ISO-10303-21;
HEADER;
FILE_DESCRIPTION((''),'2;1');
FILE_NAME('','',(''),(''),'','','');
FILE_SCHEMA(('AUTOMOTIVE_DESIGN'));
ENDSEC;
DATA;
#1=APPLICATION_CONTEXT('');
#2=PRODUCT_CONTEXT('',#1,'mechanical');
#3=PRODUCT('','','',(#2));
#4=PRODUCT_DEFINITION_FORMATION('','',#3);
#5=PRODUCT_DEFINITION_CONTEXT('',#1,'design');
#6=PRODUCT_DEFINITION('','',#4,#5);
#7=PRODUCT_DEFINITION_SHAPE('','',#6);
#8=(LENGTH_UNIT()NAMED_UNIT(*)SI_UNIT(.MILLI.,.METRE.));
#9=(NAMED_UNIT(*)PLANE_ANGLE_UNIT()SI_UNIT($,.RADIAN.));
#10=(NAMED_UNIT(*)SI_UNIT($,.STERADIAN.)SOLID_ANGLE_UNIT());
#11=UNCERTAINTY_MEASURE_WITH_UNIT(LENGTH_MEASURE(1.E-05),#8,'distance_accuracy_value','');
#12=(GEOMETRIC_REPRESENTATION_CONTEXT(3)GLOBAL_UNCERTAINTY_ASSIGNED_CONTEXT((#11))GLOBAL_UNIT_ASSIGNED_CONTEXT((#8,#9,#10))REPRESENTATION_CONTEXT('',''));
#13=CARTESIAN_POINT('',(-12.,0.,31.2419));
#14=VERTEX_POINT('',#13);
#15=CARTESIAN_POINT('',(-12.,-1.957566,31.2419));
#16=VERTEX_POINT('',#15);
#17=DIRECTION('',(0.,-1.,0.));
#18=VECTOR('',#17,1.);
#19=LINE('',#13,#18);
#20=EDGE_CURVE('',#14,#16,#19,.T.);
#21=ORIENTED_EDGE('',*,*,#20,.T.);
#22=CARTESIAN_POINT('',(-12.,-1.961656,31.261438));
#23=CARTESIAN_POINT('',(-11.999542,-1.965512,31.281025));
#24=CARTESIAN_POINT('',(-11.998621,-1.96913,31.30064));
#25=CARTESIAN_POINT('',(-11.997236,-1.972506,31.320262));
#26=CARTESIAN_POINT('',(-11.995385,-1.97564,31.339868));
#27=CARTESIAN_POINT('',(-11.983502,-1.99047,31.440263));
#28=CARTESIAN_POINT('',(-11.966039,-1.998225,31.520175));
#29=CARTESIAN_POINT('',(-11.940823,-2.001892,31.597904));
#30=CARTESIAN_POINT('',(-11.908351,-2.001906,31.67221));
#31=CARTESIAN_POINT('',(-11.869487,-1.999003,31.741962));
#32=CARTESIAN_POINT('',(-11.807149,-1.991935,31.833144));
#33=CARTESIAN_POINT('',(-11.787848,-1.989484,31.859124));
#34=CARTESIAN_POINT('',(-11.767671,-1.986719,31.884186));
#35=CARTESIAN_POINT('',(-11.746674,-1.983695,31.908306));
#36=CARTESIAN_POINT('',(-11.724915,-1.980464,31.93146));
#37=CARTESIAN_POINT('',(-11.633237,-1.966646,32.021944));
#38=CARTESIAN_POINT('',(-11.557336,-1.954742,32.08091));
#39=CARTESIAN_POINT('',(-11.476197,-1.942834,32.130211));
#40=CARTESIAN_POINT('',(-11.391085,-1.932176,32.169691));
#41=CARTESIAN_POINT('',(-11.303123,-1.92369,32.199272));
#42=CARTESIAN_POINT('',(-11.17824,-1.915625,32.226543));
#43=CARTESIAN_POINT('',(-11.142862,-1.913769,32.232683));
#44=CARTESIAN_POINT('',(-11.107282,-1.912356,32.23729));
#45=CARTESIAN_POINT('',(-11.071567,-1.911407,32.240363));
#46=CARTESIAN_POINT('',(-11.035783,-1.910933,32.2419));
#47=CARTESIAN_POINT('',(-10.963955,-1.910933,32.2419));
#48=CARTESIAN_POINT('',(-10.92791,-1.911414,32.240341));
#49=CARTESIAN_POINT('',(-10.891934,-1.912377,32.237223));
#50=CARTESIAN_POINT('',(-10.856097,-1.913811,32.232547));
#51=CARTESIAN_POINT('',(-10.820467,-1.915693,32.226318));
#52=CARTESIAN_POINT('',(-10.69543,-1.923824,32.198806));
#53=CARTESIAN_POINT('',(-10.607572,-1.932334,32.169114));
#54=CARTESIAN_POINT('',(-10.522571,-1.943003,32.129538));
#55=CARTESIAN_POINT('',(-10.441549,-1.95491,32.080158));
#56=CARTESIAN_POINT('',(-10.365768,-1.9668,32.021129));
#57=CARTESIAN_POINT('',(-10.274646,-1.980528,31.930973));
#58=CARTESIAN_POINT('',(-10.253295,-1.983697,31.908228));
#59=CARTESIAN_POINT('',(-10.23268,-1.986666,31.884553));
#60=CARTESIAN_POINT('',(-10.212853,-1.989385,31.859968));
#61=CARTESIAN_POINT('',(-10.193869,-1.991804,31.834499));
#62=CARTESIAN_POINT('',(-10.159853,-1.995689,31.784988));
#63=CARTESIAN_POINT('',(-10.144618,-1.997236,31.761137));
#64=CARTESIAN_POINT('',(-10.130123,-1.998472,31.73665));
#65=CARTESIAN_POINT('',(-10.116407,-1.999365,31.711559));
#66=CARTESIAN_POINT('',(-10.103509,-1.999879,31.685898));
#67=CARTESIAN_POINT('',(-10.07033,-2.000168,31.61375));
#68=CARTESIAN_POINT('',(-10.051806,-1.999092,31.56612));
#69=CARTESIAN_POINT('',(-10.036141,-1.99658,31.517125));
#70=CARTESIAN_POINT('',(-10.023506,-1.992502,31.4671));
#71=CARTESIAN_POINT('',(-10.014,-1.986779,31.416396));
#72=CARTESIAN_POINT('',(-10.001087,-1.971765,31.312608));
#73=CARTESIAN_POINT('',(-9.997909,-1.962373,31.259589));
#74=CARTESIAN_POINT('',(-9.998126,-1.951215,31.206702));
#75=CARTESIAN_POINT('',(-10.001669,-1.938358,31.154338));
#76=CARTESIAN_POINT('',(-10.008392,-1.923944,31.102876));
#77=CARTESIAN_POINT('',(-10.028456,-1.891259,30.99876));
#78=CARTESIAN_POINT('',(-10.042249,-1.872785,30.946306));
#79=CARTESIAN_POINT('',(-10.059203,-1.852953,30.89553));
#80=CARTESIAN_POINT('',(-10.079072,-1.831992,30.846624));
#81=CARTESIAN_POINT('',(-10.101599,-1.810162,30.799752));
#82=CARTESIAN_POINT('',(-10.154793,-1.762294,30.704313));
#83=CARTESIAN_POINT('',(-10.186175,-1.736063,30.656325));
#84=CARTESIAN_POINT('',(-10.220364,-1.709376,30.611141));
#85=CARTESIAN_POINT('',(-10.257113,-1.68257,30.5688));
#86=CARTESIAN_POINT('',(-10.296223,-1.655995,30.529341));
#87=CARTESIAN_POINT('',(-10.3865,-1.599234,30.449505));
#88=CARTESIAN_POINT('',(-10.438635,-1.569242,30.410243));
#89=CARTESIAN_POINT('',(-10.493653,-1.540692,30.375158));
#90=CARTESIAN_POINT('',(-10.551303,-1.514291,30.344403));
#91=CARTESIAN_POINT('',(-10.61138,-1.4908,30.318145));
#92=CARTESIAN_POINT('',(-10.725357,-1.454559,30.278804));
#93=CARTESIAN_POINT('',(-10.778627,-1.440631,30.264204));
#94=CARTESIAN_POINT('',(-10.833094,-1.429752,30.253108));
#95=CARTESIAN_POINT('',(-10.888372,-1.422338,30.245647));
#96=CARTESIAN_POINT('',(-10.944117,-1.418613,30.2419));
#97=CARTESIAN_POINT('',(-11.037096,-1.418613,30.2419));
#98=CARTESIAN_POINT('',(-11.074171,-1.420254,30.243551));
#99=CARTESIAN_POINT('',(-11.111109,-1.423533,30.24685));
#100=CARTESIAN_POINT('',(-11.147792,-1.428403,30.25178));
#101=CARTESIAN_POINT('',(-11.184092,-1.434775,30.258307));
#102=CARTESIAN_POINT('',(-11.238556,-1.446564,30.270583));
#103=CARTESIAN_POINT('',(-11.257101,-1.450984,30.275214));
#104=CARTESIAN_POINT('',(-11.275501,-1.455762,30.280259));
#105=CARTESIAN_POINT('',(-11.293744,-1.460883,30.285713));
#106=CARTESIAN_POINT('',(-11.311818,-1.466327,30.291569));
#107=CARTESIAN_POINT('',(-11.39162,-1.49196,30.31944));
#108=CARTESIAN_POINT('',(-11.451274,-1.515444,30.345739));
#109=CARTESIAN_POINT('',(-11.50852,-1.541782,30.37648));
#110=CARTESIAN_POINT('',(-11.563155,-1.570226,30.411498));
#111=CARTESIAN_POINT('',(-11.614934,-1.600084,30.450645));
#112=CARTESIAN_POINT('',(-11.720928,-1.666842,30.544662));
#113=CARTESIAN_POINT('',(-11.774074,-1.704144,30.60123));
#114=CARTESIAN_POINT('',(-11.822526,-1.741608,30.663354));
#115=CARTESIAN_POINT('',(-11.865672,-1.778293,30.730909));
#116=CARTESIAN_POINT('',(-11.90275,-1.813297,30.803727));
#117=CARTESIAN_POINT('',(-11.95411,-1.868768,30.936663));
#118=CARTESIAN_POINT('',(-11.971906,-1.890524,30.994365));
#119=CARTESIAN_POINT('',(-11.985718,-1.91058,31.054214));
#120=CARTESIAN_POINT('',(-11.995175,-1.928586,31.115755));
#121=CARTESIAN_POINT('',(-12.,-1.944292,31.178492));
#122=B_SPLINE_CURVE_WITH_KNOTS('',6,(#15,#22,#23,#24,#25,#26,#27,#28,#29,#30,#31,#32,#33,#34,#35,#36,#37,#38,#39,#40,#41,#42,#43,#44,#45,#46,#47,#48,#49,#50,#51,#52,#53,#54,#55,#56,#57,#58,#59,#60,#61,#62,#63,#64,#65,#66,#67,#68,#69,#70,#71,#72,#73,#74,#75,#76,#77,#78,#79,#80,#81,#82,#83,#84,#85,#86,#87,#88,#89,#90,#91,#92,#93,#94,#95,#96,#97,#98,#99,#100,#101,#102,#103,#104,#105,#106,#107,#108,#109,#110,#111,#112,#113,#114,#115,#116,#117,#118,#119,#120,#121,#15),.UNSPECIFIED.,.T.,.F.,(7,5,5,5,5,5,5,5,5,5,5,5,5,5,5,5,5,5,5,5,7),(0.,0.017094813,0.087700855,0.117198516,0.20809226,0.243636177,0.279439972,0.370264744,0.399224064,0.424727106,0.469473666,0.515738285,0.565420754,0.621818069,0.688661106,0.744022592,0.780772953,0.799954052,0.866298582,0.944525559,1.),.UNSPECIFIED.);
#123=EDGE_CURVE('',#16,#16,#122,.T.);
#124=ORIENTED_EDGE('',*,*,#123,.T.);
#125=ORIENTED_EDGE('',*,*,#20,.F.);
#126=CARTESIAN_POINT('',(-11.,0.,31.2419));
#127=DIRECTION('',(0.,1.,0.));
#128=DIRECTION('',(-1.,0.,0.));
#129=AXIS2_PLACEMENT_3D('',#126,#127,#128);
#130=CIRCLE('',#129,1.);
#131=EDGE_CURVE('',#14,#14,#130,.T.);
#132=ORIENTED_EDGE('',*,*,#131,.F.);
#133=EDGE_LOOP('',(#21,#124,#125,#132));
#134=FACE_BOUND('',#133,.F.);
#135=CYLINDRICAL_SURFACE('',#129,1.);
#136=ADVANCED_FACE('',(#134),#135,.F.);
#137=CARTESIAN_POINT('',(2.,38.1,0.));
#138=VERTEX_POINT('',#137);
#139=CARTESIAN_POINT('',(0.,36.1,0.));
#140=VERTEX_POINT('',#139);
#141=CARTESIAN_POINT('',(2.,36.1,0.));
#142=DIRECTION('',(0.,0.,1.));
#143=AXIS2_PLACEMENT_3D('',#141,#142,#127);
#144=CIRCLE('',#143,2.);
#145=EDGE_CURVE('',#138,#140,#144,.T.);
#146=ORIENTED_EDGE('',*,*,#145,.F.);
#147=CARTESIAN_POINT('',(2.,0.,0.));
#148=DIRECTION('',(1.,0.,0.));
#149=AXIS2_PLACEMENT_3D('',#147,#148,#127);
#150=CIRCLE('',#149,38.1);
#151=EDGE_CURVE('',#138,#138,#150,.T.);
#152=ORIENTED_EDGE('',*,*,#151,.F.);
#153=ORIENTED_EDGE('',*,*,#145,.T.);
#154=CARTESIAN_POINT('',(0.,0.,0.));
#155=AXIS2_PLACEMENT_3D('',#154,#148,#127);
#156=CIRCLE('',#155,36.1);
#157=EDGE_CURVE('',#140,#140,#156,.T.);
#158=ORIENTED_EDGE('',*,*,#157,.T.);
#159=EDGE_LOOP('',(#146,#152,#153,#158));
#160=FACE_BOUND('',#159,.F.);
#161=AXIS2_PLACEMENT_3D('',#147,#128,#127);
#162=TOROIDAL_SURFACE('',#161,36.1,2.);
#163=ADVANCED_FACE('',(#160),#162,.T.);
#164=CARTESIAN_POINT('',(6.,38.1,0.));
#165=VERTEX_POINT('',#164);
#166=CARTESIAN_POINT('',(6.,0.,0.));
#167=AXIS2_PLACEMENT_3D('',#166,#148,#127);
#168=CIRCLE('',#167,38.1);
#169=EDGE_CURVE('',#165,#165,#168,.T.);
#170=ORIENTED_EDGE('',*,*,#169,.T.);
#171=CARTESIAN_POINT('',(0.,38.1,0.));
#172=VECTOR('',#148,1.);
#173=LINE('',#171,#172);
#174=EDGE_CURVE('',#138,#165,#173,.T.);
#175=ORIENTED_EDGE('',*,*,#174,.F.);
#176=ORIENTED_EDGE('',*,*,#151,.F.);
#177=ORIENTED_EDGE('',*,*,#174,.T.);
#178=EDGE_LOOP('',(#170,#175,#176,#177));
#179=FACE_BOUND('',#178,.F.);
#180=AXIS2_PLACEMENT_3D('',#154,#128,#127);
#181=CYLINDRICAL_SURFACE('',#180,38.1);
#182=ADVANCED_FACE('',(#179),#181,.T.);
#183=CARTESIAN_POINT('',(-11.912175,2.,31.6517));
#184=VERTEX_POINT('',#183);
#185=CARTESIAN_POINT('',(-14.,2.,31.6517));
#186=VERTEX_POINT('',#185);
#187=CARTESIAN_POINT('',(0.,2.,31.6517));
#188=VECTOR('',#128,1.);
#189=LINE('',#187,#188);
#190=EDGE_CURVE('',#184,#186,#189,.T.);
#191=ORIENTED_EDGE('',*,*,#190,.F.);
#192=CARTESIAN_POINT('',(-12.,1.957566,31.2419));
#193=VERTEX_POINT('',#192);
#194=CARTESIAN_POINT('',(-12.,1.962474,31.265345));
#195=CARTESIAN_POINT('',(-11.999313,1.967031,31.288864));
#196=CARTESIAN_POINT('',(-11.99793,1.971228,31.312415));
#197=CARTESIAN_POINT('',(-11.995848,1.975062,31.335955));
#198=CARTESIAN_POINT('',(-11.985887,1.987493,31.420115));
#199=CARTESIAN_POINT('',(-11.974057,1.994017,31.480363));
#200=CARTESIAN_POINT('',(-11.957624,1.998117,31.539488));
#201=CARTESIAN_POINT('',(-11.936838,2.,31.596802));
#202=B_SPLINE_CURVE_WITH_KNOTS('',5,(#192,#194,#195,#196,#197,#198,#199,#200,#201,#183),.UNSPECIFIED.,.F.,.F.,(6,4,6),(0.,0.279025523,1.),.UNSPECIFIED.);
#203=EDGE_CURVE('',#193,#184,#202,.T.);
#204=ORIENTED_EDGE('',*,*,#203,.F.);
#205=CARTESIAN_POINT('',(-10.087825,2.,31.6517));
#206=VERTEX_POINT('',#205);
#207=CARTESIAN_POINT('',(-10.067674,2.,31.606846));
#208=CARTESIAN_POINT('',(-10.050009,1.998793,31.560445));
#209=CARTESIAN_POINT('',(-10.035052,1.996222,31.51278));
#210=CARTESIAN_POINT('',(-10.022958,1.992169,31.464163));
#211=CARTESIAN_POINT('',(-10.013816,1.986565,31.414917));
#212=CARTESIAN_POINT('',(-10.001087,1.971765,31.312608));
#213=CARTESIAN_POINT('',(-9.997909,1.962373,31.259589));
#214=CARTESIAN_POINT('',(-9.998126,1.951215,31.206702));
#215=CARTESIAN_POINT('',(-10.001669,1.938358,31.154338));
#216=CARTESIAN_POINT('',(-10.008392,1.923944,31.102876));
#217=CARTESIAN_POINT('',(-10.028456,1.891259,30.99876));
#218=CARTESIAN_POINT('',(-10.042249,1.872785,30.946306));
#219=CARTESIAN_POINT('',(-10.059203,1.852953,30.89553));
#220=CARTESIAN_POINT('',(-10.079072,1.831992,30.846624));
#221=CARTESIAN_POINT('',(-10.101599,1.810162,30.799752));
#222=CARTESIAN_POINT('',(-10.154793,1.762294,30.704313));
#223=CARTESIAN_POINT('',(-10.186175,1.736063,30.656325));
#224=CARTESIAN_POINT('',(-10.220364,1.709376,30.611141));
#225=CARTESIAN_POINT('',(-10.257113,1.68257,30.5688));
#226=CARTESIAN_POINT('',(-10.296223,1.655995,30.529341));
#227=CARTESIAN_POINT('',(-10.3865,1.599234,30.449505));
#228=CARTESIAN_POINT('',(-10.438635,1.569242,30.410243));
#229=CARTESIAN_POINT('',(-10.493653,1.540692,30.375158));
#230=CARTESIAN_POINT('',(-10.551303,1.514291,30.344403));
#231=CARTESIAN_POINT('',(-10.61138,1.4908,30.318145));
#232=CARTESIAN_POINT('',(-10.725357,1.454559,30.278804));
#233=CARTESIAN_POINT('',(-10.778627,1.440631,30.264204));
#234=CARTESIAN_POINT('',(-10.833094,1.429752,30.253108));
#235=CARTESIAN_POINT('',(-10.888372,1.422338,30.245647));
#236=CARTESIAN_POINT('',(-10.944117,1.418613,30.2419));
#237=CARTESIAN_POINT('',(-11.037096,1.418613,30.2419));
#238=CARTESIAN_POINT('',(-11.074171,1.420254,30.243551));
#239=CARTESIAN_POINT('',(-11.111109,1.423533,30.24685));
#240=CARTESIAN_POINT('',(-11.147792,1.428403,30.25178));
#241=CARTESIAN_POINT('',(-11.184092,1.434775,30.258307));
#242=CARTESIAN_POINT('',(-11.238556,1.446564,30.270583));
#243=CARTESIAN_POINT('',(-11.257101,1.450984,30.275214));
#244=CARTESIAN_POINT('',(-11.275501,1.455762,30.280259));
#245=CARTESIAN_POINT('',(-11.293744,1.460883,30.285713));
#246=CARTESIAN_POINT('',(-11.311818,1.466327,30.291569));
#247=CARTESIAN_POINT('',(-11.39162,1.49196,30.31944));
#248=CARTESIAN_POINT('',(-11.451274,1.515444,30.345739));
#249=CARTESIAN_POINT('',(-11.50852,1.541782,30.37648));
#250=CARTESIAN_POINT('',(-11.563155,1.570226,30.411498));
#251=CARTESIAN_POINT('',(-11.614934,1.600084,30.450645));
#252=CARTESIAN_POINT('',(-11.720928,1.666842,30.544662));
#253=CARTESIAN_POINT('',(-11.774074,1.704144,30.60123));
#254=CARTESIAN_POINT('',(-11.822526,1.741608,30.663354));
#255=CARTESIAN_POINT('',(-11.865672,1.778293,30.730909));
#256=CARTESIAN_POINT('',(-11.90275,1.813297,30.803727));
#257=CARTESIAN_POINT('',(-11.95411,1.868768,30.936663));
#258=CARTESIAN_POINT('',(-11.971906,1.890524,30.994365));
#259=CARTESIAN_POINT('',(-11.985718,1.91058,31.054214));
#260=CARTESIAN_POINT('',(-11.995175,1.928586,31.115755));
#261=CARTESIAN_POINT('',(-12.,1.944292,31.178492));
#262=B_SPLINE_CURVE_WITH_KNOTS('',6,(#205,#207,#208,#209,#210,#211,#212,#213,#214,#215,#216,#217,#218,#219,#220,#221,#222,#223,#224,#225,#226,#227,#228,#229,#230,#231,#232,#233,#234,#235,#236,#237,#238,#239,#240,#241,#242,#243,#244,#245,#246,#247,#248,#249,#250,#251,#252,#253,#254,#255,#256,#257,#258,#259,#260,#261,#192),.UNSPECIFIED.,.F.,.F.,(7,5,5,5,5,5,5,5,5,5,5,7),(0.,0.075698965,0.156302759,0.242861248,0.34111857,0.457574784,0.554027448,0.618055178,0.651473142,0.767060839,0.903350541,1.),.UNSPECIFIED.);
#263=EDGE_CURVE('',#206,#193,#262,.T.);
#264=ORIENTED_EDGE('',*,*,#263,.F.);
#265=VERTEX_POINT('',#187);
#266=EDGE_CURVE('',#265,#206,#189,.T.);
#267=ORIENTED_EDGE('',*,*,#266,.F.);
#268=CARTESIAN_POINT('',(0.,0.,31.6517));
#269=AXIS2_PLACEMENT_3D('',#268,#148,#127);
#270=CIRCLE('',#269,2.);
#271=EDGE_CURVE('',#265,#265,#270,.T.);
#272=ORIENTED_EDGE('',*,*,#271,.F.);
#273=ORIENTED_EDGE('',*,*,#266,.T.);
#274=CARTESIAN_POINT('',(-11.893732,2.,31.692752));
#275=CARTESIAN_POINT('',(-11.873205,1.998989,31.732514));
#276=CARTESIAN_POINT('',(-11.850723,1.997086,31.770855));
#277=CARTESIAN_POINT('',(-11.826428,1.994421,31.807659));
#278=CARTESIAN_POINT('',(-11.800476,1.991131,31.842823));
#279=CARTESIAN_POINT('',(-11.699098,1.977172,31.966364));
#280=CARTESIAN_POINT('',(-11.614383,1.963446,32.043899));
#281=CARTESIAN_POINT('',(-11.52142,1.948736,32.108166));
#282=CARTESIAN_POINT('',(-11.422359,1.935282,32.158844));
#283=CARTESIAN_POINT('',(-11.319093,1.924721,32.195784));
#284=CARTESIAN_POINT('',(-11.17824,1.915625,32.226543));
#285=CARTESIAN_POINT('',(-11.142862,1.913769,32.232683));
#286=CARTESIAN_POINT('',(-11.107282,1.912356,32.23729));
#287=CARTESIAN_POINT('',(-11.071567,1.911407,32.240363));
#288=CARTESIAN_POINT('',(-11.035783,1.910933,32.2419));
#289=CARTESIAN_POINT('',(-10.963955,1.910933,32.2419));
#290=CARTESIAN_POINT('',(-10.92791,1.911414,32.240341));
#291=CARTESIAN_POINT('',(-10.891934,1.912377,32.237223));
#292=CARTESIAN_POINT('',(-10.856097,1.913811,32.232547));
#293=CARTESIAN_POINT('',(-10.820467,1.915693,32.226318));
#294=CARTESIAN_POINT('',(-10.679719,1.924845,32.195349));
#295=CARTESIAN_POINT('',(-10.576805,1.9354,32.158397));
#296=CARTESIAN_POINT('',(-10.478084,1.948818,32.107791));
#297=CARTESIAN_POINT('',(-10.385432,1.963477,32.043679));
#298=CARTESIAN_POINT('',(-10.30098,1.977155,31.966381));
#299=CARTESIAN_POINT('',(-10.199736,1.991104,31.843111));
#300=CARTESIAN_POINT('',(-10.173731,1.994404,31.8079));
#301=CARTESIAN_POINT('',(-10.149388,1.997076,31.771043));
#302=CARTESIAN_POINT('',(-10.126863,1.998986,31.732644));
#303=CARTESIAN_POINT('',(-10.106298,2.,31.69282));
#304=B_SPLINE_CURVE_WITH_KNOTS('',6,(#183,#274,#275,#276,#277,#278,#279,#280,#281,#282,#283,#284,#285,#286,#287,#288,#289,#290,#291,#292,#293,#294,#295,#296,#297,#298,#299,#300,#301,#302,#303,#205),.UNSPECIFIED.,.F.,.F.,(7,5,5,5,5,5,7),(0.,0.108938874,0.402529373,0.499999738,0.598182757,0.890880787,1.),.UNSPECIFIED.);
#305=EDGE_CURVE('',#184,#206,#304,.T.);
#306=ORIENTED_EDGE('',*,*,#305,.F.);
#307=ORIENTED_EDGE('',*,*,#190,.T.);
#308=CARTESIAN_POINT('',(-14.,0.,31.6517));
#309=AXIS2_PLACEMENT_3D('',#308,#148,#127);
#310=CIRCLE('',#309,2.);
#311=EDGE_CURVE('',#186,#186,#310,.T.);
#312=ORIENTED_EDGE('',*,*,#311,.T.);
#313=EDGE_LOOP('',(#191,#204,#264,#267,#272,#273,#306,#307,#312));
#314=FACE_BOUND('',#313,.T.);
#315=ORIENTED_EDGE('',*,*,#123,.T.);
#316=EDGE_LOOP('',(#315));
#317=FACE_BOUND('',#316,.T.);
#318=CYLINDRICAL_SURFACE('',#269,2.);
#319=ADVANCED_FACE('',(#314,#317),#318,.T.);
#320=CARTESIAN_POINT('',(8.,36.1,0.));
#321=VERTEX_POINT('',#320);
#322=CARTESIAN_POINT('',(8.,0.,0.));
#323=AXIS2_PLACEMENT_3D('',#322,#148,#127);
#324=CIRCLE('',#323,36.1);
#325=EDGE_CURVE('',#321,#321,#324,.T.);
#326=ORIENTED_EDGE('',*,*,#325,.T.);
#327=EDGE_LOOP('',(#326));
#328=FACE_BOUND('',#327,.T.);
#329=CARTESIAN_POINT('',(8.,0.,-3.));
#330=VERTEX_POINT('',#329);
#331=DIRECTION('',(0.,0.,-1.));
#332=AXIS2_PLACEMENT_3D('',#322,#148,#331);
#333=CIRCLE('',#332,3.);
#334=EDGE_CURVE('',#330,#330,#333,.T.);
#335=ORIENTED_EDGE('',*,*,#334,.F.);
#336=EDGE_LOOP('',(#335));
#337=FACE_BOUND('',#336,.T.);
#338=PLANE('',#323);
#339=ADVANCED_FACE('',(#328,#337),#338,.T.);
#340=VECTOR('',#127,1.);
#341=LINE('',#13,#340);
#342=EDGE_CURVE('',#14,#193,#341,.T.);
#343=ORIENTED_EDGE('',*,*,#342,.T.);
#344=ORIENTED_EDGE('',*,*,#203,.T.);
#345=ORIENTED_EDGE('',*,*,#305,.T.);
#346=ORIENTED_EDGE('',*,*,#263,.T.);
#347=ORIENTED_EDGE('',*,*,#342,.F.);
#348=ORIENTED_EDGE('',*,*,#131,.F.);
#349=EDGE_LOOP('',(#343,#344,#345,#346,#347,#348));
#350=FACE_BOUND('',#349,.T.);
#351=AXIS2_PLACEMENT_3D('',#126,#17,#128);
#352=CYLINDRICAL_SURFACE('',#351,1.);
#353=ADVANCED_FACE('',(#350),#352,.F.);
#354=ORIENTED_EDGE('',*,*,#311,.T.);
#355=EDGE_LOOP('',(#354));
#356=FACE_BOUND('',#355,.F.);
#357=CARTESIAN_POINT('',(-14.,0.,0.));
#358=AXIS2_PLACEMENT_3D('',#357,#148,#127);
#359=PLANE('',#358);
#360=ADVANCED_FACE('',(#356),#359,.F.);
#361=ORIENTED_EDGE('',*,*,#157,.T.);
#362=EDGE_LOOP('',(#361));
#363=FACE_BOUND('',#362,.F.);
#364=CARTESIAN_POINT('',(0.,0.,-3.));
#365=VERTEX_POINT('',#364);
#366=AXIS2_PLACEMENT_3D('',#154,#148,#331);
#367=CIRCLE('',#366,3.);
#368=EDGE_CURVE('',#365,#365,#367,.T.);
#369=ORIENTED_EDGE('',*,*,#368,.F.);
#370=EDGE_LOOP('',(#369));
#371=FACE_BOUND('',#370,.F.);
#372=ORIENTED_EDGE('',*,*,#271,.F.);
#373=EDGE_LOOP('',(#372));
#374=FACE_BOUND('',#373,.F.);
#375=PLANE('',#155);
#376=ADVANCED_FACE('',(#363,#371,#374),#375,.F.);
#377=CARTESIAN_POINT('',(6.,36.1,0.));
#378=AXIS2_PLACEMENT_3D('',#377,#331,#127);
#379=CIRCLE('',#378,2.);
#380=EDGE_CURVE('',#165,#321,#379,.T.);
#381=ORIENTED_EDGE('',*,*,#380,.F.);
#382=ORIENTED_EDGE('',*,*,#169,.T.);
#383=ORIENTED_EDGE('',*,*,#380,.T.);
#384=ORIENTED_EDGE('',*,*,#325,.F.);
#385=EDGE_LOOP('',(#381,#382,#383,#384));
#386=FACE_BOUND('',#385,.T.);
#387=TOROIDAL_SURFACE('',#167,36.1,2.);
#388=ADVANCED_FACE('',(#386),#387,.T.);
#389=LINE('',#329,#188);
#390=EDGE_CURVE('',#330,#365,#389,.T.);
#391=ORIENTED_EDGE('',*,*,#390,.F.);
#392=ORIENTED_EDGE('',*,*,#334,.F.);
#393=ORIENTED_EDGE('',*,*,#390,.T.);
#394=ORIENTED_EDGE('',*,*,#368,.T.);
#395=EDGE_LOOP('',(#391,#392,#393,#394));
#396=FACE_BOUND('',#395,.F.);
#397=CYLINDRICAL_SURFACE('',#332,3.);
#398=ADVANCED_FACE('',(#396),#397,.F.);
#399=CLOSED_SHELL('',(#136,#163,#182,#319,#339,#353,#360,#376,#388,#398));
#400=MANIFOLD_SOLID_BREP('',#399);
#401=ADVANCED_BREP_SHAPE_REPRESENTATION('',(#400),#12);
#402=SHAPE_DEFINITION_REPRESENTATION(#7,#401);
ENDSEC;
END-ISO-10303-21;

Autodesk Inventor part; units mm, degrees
ref_plane "YZ Plane" through (0, 0, 0) normal (1, 0, 0) x (0, 1, 0)
ref_plane "XZ Plane" through (0, 0, 0) normal (0, 1, 0) x (-1, 0, 0)
ref_plane "XY Plane" through (0, 0, 0) normal (0, 0, 1) x (1, 0, 0)
sketch "Sketch1" plane through (0, 0, 0) normal (1, 0, 0) x (0, 1, 0)
  circle A0 centre (0, 0) radius 38.1
  circle A1 centre (0, 31.6517) radius 2
  dimension "d0" = 76.2
  dimension "d14" = 4
extrude "Extrusion1" add sketch "Sketch1" along normal blind 8 contours A0 | A1
sketch "Sketch2" plane through (8, 0, 0) normal (1, 0, 0) x (0, 0, -1)
  circle A0 centre (0, 0) radius 3
  dimension "d3" = 6
extrude "Extrusion2" cut sketch "Sketch2" against normal through all
fillet "Fillet1" radius 2 2 edges at (8, -38.1, 0) (0, -38.1, 0)
sketch "Sketch4" plane through (8, 0, 0) normal (1, 0, 0) x (0, 0, -1)
  point P0 (0, 0)
sketch "Sketch7" plane through (8, 0, 0) normal (1, 0, 0) x (0, 0, -1)
  point P0 (0, 0)
extrude "Extrusion5" add sketch "Sketch1" against normal blind 14 contours A1
sketch "Sketch8" plane through (0, 0, 0) normal (0, 1, 0) x (-1, 0, 0)
  circle A0 centre (11, 31.2419) radius 1
  line L0 (14, 29.6517) -> (14, 33.6517) projected
  point P0 (0, 0)
  dimension "d17" = 2
  dimension "d18" = 3
extrude "Extrusion6" cut sketch "Sketch8" along normal mid plane 14
properties part number "extension circle" material "Brass, Soft Yellow"
